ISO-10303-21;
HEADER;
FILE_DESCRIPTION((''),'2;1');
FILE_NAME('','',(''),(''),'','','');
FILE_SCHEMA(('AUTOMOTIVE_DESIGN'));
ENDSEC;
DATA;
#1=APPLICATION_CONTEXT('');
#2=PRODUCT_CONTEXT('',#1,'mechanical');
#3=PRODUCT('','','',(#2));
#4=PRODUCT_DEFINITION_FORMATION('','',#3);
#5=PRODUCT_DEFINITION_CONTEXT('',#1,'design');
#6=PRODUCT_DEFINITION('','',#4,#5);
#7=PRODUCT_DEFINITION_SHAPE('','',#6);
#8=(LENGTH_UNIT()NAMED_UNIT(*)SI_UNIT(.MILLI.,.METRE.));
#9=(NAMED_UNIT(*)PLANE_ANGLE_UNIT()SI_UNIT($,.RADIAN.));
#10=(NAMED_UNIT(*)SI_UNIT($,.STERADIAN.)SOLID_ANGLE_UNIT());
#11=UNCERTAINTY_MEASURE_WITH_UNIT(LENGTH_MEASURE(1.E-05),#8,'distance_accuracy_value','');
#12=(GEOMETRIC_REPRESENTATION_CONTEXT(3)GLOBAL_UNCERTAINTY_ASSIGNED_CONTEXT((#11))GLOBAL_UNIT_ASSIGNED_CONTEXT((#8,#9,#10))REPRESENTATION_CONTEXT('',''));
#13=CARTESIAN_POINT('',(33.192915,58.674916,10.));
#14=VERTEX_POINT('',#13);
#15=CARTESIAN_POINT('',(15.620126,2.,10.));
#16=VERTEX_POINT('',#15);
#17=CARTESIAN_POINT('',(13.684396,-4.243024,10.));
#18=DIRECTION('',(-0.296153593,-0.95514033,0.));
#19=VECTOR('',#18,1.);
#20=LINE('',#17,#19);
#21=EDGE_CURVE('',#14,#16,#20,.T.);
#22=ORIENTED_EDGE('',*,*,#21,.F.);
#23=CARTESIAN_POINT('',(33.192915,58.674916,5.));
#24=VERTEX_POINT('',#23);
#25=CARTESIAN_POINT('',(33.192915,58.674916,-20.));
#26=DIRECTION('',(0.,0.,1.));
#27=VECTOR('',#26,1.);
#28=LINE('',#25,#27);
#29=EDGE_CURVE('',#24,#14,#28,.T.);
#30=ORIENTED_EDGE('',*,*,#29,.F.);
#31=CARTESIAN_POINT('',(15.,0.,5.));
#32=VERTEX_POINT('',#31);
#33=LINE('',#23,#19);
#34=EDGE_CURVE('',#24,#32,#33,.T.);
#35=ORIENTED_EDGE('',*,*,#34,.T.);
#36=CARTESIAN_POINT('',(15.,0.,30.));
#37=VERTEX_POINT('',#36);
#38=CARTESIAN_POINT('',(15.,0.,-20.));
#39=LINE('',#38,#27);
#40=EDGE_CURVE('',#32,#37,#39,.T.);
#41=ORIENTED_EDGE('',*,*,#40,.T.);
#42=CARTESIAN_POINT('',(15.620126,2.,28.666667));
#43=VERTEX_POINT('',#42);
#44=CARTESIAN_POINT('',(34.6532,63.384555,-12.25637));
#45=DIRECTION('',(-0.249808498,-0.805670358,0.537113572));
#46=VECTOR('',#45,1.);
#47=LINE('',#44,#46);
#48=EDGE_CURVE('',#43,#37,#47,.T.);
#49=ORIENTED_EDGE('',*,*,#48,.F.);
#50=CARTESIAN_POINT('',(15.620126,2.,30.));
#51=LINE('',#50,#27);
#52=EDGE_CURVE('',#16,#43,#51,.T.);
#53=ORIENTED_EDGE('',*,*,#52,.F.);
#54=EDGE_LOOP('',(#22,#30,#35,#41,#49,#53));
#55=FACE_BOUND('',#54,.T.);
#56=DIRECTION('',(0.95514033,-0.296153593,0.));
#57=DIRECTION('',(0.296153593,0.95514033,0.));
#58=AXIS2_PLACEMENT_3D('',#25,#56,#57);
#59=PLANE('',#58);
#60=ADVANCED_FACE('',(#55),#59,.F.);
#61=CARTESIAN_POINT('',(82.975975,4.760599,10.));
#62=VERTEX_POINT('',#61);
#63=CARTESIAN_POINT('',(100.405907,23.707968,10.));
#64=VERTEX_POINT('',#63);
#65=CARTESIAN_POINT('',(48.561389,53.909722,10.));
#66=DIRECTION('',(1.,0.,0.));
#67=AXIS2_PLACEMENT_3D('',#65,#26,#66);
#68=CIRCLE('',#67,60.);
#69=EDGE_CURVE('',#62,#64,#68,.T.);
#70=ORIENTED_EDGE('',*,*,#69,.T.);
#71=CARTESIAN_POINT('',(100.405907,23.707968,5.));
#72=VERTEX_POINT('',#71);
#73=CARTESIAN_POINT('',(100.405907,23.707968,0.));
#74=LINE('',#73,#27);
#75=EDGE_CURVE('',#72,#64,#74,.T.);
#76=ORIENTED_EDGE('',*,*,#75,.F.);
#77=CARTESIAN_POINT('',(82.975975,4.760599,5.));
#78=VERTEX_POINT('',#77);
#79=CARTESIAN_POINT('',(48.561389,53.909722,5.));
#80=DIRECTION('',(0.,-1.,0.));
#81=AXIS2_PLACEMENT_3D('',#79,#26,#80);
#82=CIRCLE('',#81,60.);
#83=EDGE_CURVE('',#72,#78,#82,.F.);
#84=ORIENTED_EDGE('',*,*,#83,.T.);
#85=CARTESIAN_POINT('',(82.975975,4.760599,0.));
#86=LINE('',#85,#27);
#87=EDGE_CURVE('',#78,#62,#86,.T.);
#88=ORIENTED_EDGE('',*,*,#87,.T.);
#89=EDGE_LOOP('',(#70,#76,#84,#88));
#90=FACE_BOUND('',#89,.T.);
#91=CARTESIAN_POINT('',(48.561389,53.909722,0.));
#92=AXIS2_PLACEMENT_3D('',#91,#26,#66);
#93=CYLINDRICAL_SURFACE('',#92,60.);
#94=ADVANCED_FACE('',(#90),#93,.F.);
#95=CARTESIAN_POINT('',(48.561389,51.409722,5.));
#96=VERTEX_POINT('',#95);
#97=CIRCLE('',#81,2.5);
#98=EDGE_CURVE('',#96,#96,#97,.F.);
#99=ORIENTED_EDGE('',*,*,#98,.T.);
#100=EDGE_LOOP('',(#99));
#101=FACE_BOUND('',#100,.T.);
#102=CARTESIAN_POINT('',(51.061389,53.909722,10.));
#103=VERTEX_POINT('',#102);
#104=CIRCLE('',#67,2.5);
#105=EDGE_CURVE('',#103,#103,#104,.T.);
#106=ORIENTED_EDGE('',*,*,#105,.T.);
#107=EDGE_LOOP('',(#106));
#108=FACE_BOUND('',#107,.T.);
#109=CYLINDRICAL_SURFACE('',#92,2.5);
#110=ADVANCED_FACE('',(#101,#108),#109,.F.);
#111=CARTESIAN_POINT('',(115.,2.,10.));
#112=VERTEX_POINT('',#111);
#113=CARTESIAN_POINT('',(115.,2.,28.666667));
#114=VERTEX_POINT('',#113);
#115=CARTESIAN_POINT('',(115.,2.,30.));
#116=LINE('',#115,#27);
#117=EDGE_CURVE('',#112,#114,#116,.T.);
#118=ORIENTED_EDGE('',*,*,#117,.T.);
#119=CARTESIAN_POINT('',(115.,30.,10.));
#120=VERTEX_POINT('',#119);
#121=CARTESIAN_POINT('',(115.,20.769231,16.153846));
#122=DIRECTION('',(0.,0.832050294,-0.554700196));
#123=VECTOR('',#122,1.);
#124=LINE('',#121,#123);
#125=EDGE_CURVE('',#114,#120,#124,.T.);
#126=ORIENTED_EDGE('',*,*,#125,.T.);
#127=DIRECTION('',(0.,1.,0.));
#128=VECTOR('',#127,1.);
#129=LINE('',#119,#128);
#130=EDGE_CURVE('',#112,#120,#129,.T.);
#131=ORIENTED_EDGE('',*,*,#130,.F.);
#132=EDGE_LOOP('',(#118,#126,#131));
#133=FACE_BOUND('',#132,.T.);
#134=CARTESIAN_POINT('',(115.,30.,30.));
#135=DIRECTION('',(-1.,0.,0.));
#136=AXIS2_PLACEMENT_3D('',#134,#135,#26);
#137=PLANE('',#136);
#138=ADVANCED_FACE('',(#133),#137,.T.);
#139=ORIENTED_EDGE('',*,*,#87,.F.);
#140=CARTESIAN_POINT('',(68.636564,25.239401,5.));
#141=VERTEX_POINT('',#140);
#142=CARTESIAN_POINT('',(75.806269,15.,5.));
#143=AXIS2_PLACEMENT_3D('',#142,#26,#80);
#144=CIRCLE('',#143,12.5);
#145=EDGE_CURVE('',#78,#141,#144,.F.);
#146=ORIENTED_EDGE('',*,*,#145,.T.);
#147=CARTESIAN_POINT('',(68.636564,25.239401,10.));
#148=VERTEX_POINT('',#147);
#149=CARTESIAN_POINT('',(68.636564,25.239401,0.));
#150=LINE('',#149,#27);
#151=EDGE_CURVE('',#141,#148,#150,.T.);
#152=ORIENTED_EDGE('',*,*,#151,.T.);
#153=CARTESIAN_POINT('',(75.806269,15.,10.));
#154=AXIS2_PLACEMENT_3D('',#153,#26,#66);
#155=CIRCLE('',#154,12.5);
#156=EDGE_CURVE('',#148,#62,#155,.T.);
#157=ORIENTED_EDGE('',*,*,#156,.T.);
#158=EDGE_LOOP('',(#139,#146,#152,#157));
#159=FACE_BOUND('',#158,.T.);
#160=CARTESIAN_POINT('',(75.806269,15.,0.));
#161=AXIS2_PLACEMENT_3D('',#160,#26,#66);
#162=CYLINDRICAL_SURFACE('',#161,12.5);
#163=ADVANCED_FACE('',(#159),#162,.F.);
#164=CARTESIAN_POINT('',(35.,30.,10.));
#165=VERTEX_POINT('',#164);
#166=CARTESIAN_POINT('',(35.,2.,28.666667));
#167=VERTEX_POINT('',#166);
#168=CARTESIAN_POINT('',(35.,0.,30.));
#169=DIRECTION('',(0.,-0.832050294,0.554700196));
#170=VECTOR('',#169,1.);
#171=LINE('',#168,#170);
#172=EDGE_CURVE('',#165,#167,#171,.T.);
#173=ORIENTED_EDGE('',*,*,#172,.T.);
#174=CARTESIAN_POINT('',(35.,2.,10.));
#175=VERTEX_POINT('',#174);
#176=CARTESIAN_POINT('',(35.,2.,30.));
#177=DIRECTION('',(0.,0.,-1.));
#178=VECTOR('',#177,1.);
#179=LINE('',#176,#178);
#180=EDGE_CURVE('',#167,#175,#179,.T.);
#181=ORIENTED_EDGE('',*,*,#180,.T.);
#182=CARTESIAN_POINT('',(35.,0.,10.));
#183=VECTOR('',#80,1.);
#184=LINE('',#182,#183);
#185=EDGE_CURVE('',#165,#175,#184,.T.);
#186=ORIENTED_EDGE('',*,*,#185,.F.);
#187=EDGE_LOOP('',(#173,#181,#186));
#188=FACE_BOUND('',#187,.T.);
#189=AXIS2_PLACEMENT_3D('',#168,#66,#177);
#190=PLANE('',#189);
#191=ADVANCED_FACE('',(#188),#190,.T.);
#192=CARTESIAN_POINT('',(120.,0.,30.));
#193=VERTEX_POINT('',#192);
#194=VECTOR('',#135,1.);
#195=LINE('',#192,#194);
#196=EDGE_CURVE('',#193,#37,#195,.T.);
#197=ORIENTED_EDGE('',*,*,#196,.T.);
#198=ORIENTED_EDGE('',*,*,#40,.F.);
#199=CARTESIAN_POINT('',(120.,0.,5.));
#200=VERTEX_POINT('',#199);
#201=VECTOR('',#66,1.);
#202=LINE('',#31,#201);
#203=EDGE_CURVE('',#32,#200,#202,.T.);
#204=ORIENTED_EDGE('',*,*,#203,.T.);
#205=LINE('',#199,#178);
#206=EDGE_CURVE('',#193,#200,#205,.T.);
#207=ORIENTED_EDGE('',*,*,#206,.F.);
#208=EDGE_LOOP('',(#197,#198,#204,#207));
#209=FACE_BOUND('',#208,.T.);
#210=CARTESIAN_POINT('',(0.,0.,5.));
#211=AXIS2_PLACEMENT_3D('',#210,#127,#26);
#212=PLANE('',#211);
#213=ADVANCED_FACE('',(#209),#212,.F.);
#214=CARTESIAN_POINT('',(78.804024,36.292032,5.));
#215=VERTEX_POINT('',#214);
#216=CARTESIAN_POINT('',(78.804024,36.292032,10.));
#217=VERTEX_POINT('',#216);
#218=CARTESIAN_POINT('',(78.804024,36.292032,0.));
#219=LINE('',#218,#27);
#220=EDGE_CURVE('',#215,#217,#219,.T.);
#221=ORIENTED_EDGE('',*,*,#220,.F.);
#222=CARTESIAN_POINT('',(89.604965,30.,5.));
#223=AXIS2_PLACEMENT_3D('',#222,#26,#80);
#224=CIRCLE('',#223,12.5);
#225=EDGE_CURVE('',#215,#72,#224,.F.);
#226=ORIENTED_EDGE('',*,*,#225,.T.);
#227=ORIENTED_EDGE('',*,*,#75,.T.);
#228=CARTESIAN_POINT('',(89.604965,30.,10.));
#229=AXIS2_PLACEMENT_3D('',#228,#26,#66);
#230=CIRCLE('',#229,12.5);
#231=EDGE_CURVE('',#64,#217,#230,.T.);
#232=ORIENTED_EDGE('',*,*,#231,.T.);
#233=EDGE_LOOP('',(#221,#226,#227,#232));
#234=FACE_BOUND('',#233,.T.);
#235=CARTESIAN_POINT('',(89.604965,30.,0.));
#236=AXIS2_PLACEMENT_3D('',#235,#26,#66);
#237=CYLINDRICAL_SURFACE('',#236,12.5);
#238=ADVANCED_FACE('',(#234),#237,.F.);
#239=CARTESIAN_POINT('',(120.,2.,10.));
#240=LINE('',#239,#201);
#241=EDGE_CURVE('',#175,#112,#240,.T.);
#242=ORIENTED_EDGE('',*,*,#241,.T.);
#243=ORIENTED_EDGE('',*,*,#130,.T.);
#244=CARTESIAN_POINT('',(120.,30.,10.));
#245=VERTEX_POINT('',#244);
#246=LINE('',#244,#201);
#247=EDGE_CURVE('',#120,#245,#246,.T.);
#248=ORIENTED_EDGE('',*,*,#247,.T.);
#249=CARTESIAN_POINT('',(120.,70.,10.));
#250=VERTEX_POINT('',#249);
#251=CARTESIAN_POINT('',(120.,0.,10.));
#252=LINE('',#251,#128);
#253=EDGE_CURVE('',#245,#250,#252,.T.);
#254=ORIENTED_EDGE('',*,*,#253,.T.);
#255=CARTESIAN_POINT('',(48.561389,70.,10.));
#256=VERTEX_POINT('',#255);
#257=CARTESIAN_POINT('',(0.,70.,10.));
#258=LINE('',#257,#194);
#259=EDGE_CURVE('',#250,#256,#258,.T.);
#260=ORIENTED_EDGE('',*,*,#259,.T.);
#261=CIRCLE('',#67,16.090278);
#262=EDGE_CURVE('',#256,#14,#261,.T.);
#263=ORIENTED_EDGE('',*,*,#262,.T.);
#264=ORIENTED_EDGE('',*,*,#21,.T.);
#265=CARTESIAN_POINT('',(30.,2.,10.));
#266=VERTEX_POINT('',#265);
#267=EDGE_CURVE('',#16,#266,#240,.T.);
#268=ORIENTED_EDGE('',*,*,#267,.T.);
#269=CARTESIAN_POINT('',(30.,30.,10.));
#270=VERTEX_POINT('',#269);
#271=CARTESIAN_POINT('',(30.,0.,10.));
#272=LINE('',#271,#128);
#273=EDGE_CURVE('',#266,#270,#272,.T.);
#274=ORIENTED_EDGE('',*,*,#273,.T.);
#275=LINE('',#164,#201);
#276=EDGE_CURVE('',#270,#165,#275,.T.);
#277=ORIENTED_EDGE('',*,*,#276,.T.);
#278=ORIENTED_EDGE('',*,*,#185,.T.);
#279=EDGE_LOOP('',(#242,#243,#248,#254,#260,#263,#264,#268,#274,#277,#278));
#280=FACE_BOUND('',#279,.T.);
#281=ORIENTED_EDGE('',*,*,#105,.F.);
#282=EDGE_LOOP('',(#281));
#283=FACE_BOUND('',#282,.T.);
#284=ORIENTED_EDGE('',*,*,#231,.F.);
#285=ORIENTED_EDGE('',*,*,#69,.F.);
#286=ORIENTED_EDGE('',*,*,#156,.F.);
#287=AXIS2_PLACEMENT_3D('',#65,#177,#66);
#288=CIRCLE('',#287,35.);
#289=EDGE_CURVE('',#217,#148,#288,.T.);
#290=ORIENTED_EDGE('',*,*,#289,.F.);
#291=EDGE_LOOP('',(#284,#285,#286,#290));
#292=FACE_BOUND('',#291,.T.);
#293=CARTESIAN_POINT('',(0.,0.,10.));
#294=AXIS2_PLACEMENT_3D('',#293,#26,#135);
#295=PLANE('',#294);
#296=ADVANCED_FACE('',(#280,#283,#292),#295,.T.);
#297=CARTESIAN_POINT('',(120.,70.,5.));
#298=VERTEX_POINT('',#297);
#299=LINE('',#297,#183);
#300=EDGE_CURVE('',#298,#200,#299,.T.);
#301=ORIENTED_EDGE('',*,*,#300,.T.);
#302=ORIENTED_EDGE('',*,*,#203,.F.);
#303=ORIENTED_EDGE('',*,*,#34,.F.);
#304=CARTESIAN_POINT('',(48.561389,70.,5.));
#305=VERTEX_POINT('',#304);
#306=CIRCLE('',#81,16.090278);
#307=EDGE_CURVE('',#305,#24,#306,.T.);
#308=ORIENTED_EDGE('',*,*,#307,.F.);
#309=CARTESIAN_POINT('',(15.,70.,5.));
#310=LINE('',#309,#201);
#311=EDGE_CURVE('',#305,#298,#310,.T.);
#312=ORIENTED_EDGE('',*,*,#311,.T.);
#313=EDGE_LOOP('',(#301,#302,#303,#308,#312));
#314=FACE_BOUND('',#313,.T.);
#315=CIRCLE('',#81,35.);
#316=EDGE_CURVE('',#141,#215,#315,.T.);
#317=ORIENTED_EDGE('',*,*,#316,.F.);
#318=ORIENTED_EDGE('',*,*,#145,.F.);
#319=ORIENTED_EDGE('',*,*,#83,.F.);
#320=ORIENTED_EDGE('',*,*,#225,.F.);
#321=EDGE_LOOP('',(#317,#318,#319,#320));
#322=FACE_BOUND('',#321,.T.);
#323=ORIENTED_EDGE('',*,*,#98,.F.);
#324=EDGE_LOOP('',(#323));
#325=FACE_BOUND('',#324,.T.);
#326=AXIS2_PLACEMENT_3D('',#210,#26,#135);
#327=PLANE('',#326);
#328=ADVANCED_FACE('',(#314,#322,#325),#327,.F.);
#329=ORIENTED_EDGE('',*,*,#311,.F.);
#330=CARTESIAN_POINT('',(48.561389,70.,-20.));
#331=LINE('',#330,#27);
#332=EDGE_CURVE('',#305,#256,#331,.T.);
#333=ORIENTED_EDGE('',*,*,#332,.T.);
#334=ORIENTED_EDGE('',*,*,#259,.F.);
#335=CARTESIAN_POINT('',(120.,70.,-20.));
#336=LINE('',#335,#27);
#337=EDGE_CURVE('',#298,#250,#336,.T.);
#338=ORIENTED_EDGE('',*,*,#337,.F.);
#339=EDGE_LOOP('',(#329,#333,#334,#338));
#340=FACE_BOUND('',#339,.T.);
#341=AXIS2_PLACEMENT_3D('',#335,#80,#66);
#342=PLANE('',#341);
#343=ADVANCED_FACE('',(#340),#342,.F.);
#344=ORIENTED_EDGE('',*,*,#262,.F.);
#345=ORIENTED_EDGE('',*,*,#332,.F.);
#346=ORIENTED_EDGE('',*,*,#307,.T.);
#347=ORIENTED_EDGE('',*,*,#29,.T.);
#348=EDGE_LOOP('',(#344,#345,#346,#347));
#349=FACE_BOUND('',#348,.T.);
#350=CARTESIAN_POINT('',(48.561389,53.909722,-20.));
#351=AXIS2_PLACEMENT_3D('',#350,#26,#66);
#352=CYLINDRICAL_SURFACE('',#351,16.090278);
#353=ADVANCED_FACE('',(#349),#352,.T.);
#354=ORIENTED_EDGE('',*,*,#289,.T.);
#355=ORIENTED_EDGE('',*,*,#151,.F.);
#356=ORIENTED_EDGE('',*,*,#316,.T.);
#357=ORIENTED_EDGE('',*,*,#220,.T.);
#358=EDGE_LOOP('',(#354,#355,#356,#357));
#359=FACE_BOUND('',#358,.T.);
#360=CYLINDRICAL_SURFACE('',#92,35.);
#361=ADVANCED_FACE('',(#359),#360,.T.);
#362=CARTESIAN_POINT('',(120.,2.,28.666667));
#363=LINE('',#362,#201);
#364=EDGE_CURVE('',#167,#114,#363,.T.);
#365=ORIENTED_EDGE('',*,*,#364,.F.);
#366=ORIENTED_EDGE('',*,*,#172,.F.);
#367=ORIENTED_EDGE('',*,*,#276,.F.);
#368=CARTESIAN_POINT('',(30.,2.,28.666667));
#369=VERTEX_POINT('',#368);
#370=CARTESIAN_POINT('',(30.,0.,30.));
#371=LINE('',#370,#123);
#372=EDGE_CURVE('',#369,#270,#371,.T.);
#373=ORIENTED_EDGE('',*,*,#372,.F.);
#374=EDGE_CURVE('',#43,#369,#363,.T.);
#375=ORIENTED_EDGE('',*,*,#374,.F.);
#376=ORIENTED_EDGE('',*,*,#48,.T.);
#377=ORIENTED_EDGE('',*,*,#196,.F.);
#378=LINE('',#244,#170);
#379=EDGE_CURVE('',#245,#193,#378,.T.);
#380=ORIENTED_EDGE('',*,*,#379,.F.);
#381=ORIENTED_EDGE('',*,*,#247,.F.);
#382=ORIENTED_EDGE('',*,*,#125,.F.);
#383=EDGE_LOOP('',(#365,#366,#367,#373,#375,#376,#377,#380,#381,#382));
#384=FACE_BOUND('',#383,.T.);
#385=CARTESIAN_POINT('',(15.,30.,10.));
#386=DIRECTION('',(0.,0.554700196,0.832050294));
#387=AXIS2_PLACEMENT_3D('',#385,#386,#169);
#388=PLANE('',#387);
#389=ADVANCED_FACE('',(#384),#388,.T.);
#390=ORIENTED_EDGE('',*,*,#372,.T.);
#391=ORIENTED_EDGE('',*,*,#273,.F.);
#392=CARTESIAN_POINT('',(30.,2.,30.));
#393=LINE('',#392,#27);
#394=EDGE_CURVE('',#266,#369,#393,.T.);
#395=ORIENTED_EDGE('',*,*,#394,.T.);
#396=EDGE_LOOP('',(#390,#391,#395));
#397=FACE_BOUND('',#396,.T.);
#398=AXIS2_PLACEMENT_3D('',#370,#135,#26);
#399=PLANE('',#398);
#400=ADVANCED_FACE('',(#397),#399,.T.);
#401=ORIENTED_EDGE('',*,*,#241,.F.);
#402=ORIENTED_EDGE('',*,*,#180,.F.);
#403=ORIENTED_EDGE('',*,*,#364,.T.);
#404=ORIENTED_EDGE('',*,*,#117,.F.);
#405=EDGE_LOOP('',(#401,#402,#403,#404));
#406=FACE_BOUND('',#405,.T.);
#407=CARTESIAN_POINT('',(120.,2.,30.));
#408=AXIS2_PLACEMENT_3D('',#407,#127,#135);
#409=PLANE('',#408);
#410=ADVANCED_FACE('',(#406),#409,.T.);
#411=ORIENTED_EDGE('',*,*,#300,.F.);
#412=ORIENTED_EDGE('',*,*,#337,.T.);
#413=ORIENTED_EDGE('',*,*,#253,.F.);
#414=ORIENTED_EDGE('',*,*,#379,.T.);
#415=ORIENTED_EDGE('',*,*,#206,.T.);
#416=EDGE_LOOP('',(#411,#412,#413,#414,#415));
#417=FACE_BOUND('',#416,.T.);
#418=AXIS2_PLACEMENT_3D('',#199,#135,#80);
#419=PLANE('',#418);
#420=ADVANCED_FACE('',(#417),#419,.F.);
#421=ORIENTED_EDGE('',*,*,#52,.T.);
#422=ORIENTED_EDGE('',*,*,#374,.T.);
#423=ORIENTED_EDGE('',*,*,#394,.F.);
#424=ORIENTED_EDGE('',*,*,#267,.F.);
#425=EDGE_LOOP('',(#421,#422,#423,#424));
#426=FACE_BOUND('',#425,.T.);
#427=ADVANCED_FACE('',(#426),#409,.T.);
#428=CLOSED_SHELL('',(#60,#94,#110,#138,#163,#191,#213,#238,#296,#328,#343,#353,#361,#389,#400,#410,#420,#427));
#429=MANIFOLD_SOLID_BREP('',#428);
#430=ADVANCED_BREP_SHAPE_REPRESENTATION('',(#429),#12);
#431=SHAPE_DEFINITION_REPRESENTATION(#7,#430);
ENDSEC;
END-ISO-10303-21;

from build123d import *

# Parameters (mm, degrees)
SKETCH1_W           = 120
SKETCH1_H           = 100
BOSS_EXTRUDE1_DEPTH = 5
SKETCH2_R           = 2.5
CUT_EXTRUDE1_DEPTH  = 6
SKETCH3_W           = 120
SKETCH3_H           = 2
BOSS_EXTRUDE2_DEPTH = 20
CUT_EXTRUDE2_DEPTH  = 26
CUT_EXTRUDE3_DEPTH  = 26
SKETCH6_W           = 5
SKETCH6_H           = 30
BOSS_EXTRUDE3_DEPTH = 20
CUT_EXTRUDE4_DEPTH  = 106
SKETCH10_W          = 27.884556649
SKETCH10_H          = 70
CUT_EXTRUDE5_DEPTH  = 106


with BuildPart() as part:
    # Sketch1 → Boss-Extrude1 (new body)
    with BuildSketch(Plane.XY):
        with Locations((60, 50)):
            Rectangle(SKETCH1_W, SKETCH1_H)
    boss_extrude1 = extrude(amount=BOSS_EXTRUDE1_DEPTH)

    # Sketch2 → Cut-Extrude1 (cut, through all)
    with BuildSketch(Plane.XY.offset(5)):
        with Locations((48.561388608, 53.909722104)):
            Circle(SKETCH2_R)
        with BuildLine():
            ThreePointArc((82.975974789, 4.760599446), (92.719162031, 13.288409394), (100.405906554, 23.707967867))
            ThreePointArc((100.405906554, 23.707967867), (95.896997447, 40.800941239), (78.804024076, 36.292032133))
            ThreePointArc((78.804024076, 36.292032133), (74.320089771, 30.213956356), (68.63656388, 25.239400554))
            ThreePointArc((68.63656388, 25.239400554), (65.566868781, 7.830294546), (82.975974789, 4.760599446))
        make_face()
    cut_extrude1 = extrude(amount=-CUT_EXTRUDE1_DEPTH, mode=Mode.SUBTRACT)

    # Sketch3 → Boss-Extrude2 (add)
    with BuildSketch(Plane(origin=(0, 0, 0), x_dir=(-1, 0, 0), z_dir=(0, 0, -1))):
        with Locations((-60, 1)):
            Rectangle(SKETCH3_W, SKETCH3_H)
    boss_extrude2 = extrude(amount=BOSS_EXTRUDE2_DEPTH)

    # Sketch4 → Cut-Extrude2 (cut, through all)
    with BuildSketch(Plane.XY.offset(5)):
        with BuildLine():
            ThreePointArc((66.494283868, 35.596794606), (72.644903394, 39.60143936), (75.487572744, 46.368013909))
            ThreePointArc((75.487572744, 46.368013909), (73.248961533, 49.104548186), (70.512427256, 46.865936976))
            ThreePointArc((70.512427256, 46.865936976), (68.806825647, 42.805992246), (65.116453931, 40.403205394))
            ThreePointArc((65.116453931, 40.403205394), (63.402163505, 37.311085032), (66.494283868, 35.596794606))
        make_face()
    extrude(amount=-CUT_EXTRUDE2_DEPTH, mode=Mode.SUBTRACT)

    # Sketch5 → Cut-Extrude3 (cut, through all)
    with BuildSketch(Plane.XY.offset(5)):
        with BuildLine():
            Line((120, 70), (48.561388608, 70))
            ThreePointArc((48.561388608, 70), (39.016134462, 66.862913451), (33.192915272, 58.674915711))
            Line((33.192915272, 58.674915711), (15, 0))
            Line((15, 0), (0, 0))
            Line((0, 0), (0, 100))
            Line((0, 100), (120, 100))
            Line((120, 100), (120, 70))
        make_face()
    cut_extrude3 = extrude(amount=-CUT_EXTRUDE3_DEPTH, mode=Mode.SUBTRACT)

    # Sketch6 → Boss-Extrude3 (add, through all)
    with BuildSketch(Plane(origin=(0, 0, 0), x_dir=(-1, 0, 0), z_dir=(0, 0, -1))):
        with Locations((-117.5, 15)):
            Rectangle(SKETCH6_W, SKETCH6_H)
        with Locations((-32.5, 15)):
            Rectangle(SKETCH6_W, SKETCH6_H)
    boss_extrude3 = extrude(amount=BOSS_EXTRUDE3_DEPTH)

    # Sketch9 → Cut-Extrude4 (cut, through all)
    with BuildSketch(Plane(origin=(120, 0, 0), x_dir=(0, 0, -1), z_dir=(1, 0, 0))):
        Polygon((0, 30), (20, 0), (20, 30), align=None)
    cut_extrude4 = extrude(amount=-CUT_EXTRUDE4_DEPTH, mode=Mode.SUBTRACT)

    # Mirror1: Boss-Extrude1, Cut-Extrude1, Boss-Extrude2, Cut-Extrude3, Boss-Extrude3, Cut-Extrude4 across plane
    add(boss_extrude1.mirror(Plane(origin=(0, 0, 5), x_dir=(1, 0, 0), z_dir=(0, 0, -1))))
    add(cut_extrude1.mirror(Plane(origin=(0, 0, 5), x_dir=(1, 0, 0), z_dir=(0, 0, -1))), mode=Mode.SUBTRACT)
    add(boss_extrude2.mirror(Plane(origin=(0, 0, 5), x_dir=(1, 0, 0), z_dir=(0, 0, -1))))
    add(cut_extrude3.mirror(Plane(origin=(0, 0, 5), x_dir=(1, 0, 0), z_dir=(0, 0, -1))), mode=Mode.SUBTRACT)
    add(boss_extrude3.mirror(Plane(origin=(0, 0, 5), x_dir=(1, 0, 0), z_dir=(0, 0, -1))))
    add(cut_extrude4.mirror(Plane(origin=(0, 0, 5), x_dir=(1, 0, 0), z_dir=(0, 0, -1))), mode=Mode.SUBTRACT)

    # Sketch10 → Cut-Extrude5 (cut, through all)
    with BuildSketch(Plane(origin=(120, 0, 0), x_dir=(0, 0, -1), z_dir=(1, 0, 0))):
        with Locations((8.942278325, 35)):
            Rectangle(SKETCH10_W, SKETCH10_H)
    extrude(amount=-CUT_EXTRUDE5_DEPTH, mode=Mode.SUBTRACT)


solid = part.part
